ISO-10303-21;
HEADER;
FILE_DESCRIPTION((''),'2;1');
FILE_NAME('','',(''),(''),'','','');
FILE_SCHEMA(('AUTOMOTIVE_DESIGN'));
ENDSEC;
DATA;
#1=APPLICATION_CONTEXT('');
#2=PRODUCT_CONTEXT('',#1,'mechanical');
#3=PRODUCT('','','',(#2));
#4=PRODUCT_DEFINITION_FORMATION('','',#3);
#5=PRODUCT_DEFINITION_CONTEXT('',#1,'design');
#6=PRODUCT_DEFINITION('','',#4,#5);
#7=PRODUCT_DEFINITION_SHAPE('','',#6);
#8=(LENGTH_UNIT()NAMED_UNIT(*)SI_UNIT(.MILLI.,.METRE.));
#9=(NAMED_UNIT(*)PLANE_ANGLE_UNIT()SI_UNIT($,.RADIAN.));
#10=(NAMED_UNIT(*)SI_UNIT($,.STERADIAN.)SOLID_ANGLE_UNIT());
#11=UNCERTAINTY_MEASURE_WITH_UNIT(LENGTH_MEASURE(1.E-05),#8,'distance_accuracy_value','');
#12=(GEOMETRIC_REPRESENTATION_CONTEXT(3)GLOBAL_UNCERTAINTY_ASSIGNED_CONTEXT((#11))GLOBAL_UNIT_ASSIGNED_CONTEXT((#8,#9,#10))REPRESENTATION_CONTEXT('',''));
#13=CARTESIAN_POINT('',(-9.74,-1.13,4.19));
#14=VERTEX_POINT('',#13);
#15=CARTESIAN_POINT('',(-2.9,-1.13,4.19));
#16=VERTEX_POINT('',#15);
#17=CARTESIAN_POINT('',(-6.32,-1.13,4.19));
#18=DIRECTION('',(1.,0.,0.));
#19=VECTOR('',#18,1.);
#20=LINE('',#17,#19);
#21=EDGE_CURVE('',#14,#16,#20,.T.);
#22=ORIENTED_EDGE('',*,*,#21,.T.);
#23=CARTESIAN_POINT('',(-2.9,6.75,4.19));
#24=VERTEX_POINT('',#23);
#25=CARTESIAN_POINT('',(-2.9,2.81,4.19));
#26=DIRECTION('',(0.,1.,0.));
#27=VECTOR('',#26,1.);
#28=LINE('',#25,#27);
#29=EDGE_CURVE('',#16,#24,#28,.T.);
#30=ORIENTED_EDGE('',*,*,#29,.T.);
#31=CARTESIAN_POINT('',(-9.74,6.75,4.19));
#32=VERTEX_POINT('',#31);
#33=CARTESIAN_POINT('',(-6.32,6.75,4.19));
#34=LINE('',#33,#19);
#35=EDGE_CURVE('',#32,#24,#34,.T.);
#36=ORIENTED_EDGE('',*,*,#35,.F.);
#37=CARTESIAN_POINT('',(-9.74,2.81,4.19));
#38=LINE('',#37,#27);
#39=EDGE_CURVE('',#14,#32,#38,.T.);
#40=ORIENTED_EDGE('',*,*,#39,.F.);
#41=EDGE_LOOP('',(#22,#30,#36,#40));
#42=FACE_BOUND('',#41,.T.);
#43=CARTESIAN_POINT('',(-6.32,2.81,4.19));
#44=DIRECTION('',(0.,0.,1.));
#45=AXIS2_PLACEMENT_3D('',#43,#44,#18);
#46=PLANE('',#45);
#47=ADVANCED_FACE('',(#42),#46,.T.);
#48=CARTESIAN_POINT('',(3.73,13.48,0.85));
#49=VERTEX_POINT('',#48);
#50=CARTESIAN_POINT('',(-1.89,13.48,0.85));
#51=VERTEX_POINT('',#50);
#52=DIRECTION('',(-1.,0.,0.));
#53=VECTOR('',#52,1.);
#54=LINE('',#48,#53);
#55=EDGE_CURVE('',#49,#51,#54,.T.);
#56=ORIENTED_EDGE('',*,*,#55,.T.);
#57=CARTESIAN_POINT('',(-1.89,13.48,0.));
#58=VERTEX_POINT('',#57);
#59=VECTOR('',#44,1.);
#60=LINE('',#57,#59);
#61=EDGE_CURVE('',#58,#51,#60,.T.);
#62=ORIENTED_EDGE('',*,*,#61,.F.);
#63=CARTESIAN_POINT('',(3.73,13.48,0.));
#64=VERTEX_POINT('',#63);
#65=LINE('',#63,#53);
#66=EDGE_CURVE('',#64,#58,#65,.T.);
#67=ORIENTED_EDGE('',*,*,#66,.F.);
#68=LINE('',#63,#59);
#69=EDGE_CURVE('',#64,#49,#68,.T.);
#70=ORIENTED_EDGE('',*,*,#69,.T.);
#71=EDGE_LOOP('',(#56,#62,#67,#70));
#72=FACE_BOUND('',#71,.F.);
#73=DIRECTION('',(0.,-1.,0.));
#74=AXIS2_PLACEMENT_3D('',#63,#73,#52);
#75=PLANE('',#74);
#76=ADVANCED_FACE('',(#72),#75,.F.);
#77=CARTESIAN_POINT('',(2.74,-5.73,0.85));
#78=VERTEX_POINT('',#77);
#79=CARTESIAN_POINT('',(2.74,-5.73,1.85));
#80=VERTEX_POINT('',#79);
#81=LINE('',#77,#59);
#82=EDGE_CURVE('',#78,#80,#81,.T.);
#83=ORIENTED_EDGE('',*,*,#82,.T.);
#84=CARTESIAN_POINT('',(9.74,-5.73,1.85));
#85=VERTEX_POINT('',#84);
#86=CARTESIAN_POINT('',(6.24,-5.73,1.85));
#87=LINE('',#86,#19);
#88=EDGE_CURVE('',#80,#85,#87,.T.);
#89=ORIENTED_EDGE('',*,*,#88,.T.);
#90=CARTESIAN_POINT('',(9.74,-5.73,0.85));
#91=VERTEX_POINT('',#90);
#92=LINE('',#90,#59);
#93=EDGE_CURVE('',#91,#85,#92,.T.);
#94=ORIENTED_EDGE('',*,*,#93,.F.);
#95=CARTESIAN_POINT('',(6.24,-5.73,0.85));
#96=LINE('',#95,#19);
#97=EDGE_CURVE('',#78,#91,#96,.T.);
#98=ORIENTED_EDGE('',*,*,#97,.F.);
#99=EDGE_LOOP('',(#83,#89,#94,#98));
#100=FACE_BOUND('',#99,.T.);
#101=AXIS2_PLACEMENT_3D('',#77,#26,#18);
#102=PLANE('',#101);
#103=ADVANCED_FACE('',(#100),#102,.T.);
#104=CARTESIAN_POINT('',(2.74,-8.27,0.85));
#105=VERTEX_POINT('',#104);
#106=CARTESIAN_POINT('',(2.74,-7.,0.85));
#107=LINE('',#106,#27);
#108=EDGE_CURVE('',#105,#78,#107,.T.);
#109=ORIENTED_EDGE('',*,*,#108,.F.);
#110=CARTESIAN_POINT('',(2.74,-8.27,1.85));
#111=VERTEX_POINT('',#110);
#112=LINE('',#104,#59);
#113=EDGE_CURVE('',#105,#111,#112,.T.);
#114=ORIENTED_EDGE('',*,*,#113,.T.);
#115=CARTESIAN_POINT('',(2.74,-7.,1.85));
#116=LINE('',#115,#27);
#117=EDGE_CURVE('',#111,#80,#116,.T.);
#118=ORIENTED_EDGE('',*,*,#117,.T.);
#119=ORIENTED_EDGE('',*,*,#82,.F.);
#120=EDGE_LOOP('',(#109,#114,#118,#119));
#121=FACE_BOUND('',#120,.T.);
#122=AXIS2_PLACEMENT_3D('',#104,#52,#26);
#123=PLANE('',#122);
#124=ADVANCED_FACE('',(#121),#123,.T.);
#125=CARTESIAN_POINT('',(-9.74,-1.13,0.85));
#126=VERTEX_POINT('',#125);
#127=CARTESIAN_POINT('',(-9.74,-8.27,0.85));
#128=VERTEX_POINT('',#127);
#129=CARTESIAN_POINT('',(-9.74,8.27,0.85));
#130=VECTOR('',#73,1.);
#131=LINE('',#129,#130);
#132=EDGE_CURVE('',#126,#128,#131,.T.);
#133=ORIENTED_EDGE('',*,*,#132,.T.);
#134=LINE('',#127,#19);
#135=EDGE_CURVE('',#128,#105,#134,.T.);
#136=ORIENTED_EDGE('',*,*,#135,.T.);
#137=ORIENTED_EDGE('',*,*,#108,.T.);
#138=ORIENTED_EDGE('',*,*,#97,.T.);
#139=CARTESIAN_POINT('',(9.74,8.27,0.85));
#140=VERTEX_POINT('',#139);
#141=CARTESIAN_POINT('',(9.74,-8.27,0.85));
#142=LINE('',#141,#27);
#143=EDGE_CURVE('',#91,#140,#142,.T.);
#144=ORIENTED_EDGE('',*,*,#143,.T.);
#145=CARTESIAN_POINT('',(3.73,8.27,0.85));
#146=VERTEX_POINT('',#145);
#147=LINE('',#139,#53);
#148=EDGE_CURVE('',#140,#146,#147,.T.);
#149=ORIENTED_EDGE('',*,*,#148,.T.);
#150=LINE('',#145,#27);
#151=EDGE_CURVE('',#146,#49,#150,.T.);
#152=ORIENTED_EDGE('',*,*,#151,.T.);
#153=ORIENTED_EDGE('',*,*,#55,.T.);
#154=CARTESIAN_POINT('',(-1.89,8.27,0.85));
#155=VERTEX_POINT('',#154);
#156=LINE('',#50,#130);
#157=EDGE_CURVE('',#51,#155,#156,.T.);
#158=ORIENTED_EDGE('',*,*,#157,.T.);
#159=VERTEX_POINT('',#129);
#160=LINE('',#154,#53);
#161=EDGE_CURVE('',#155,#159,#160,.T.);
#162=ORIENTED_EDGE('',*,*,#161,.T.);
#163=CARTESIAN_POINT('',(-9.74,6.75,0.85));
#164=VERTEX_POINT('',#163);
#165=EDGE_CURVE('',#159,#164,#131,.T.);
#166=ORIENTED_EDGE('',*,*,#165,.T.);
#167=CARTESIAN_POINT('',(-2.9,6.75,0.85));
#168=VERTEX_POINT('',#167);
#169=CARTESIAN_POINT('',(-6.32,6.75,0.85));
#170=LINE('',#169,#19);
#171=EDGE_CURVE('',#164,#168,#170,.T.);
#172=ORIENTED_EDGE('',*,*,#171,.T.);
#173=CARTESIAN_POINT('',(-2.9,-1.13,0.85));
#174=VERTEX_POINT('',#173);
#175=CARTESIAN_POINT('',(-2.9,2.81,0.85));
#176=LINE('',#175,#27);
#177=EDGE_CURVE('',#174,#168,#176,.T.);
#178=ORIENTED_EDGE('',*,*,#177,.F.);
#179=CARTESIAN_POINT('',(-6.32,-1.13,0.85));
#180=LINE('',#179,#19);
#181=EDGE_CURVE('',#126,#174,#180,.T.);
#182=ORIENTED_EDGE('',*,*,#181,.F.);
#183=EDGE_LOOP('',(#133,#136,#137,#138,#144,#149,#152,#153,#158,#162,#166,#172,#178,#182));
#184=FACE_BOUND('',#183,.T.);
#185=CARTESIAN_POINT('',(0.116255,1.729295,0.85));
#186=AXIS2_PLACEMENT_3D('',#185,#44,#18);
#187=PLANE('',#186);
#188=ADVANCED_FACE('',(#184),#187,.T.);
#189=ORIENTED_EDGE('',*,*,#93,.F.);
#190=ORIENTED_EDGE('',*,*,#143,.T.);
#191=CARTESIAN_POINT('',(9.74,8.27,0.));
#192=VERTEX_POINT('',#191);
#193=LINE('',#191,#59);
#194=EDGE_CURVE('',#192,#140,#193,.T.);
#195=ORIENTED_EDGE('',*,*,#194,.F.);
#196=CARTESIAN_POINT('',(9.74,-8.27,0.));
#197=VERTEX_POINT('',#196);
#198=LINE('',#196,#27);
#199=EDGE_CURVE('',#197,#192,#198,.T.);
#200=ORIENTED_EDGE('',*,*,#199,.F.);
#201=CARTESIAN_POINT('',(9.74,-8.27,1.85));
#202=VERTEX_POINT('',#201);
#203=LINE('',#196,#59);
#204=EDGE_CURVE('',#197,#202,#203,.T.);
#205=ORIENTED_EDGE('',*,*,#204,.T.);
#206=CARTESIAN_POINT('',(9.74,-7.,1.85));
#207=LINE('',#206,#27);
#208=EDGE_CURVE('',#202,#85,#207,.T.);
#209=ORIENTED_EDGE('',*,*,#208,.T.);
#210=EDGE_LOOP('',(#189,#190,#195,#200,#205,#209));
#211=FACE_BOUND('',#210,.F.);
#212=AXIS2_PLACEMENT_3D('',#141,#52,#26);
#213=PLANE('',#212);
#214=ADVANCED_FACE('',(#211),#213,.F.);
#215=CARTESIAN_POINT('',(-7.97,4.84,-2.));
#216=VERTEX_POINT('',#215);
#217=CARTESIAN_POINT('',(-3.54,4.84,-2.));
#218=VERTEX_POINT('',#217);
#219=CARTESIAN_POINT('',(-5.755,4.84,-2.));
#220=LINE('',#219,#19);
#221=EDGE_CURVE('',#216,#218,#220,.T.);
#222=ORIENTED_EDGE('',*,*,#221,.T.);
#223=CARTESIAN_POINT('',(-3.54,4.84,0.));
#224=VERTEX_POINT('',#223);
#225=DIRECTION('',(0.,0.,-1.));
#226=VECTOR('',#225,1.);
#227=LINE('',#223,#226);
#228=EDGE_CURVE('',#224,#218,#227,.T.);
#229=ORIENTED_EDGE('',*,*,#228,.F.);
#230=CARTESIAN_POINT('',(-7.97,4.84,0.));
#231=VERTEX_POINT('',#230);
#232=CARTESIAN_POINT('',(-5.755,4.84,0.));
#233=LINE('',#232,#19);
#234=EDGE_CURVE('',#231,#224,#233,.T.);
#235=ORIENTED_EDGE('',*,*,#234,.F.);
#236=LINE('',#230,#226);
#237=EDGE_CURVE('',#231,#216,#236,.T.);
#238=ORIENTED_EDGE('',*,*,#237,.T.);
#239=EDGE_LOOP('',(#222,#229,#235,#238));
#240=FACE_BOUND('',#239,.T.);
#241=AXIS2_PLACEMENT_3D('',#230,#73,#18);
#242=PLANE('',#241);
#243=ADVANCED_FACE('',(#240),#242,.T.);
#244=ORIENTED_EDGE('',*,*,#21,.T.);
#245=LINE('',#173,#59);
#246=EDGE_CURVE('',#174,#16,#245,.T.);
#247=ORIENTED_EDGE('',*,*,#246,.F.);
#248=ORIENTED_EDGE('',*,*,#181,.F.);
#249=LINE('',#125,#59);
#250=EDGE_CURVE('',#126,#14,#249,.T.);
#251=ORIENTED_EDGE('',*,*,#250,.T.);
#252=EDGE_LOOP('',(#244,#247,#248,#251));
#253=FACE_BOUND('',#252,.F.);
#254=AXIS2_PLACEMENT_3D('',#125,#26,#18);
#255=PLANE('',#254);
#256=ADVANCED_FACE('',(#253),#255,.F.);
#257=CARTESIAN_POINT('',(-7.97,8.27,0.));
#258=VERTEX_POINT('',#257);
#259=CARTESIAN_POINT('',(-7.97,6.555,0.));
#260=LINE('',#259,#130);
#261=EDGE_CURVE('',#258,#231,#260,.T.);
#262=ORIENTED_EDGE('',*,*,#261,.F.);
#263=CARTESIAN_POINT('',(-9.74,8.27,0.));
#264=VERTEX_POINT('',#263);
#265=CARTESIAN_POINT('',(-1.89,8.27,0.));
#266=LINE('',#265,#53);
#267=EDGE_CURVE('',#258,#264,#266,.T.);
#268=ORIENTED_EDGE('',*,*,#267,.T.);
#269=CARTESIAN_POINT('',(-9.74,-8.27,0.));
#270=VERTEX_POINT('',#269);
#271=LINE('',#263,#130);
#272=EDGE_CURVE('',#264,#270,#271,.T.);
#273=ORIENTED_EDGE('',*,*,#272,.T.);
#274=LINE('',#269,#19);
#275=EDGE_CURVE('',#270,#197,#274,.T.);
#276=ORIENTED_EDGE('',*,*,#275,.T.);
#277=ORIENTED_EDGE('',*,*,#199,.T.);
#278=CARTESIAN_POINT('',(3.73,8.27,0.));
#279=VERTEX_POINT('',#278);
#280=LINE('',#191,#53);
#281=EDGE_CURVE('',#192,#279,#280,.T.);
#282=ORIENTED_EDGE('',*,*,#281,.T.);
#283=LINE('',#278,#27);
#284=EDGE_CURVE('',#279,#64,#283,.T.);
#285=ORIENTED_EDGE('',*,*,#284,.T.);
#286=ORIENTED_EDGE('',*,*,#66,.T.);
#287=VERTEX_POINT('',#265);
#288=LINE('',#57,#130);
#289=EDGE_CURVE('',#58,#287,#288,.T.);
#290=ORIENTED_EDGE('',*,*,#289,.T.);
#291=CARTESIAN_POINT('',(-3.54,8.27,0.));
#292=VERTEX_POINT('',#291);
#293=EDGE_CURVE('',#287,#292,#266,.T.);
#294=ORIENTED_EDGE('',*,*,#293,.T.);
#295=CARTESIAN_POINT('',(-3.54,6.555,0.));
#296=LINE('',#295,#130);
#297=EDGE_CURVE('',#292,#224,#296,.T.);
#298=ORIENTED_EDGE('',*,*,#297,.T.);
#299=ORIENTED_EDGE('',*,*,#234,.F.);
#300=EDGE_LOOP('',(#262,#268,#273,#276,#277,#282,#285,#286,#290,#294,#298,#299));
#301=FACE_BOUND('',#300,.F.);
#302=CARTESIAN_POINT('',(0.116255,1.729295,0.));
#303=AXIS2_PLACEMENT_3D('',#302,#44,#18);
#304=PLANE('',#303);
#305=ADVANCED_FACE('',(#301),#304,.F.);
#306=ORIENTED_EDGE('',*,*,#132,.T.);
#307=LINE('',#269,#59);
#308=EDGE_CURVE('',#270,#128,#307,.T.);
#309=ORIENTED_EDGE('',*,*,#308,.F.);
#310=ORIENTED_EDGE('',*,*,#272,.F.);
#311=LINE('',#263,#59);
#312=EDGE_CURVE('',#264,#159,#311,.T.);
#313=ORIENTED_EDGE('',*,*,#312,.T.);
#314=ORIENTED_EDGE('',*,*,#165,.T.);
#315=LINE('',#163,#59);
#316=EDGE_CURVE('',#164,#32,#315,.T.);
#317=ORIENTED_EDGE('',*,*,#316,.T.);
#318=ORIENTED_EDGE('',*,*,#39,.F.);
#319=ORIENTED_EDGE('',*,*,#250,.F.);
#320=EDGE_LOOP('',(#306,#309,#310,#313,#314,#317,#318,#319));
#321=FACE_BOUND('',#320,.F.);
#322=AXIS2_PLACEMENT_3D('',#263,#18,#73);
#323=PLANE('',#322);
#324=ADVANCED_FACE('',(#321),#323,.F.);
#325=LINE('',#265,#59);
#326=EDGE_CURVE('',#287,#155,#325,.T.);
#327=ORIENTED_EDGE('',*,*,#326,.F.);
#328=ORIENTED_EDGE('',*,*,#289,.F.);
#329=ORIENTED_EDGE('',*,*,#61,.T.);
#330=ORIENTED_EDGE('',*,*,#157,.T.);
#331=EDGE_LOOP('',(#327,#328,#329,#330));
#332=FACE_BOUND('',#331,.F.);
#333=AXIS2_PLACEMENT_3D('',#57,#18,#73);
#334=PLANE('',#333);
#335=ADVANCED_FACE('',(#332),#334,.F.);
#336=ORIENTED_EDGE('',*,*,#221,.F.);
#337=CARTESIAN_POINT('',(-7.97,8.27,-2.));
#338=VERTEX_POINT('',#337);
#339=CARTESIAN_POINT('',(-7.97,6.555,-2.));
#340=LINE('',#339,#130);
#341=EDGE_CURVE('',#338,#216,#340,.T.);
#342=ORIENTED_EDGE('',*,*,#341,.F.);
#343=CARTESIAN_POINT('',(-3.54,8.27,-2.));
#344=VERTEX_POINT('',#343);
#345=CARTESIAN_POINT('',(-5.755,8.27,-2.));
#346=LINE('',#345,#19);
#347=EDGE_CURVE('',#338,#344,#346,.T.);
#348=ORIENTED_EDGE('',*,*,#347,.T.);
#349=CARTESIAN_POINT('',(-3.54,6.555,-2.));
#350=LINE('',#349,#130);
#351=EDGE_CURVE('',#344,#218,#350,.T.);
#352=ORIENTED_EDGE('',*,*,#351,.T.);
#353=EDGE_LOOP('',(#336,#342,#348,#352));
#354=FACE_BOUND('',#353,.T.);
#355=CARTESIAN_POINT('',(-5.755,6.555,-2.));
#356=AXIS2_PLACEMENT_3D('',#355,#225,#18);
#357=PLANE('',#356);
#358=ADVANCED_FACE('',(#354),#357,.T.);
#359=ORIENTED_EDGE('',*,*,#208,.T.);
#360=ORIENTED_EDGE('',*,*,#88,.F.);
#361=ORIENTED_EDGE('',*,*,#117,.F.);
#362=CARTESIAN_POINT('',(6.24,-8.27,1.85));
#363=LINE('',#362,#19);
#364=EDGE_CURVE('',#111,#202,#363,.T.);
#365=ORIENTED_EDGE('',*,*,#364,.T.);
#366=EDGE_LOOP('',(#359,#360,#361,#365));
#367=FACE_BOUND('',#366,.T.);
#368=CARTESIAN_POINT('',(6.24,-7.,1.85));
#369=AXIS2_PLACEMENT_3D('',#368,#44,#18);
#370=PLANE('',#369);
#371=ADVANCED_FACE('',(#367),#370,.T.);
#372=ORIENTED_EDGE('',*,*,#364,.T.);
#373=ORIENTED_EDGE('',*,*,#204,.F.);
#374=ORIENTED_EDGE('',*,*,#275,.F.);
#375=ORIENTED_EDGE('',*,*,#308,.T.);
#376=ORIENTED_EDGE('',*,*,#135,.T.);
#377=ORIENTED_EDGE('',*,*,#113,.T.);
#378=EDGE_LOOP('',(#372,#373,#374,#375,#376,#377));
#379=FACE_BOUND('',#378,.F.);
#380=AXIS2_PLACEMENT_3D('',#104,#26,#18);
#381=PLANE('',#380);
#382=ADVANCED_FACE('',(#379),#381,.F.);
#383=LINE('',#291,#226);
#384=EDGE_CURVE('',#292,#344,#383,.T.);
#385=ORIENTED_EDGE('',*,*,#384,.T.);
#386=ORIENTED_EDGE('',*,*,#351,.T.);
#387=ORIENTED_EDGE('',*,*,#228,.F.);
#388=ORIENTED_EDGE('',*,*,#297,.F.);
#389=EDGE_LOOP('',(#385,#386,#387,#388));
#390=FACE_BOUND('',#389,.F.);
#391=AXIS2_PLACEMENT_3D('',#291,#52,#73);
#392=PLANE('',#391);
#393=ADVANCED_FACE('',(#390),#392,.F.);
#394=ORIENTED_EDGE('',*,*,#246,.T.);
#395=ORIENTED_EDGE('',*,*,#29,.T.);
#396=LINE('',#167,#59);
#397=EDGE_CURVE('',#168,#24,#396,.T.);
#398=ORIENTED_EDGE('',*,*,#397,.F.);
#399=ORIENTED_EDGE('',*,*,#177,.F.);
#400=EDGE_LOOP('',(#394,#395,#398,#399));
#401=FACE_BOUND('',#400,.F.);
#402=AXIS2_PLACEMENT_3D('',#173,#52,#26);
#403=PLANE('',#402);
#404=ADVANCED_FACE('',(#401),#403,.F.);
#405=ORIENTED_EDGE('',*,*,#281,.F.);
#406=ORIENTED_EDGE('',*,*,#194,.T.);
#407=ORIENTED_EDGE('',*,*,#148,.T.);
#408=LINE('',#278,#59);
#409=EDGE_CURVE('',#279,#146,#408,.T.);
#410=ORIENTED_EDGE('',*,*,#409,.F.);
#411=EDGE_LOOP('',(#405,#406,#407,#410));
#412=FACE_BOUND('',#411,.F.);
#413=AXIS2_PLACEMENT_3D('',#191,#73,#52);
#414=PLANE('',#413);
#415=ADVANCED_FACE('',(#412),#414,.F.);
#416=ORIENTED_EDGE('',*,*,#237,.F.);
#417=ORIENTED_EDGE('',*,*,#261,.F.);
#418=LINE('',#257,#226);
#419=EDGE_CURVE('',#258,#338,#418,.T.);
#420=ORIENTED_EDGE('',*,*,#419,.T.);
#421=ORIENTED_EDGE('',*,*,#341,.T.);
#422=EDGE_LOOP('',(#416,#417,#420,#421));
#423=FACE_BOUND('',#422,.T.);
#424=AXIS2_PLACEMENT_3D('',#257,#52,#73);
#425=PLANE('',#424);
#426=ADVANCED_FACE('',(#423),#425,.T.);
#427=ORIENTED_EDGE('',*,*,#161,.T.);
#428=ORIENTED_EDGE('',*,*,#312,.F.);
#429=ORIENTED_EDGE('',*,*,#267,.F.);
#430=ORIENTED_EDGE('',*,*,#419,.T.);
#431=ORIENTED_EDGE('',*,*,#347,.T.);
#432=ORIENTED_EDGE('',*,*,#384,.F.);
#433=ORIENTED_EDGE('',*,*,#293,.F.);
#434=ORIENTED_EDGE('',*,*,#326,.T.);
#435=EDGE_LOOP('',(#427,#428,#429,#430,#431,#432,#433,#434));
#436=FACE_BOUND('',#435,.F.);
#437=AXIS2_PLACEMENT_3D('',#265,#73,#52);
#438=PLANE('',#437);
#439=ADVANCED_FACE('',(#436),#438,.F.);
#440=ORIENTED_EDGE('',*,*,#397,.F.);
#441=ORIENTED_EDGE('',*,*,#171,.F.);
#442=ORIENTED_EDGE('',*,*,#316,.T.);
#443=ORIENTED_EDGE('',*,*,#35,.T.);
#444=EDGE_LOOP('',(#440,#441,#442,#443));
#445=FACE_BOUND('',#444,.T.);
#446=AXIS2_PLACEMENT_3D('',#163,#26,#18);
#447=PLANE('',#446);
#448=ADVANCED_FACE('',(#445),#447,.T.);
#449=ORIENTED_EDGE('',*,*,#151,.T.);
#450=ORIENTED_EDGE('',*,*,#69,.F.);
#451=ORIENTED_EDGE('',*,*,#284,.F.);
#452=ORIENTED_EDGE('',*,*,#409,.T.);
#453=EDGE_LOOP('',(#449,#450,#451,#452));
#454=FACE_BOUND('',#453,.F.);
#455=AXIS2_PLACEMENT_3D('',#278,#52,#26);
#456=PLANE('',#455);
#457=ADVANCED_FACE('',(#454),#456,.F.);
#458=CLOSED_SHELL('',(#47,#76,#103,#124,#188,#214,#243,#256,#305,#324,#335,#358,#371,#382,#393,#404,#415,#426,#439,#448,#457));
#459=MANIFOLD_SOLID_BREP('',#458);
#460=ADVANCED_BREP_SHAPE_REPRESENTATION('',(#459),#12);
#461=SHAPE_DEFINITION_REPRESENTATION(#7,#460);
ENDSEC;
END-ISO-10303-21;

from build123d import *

# Parameters (mm, degrees)
F1_DEPTH = 0.85
F2_W     = 6.84
F2_H     = 7.88
F3_DEPTH = 3.34
F4_W     = 7
F4_H     = 2.54
F5_DEPTH = 1
F6_W     = 4.43
F6_H     = 3.43
F7_DEPTH = 2


with BuildPart() as f1:
    # F0 (on Top) → F1 (new body)
    with BuildSketch(Plane.XY):
        Polygon((-9.74, -8.27), (9.74, -8.27), (9.74, 8.27), (3.73, 8.27), (3.73, 13.48), (-1.89, 13.48), (-1.89, 8.27), (-9.74, 8.27), align=None)
    extrude(amount=F1_DEPTH)

    # F2 (on face) → F3 (join)
    with BuildSketch(Plane.XY.offset(0.85)):
        with Locations((-6.32, 2.81)):
            Rectangle(F2_W, F2_H)
    extrude(amount=F3_DEPTH)

    # F4 (on face) → F5 (join)
    with BuildSketch(Plane.XY.offset(0.85)):
        with Locations((6.24, -7)):
            Rectangle(F4_W, F4_H)
    extrude(amount=F5_DEPTH)

    # F6 (on face) → F7 (join)
    with BuildSketch(Plane(origin=(0, 0, 0), x_dir=(1, 0, 0), z_dir=(0, 0, -1))):
        with Locations((-5.755, -6.555)):
            Rectangle(F6_W, F6_H)
    extrude(amount=F7_DEPTH)


solid = f1.part
